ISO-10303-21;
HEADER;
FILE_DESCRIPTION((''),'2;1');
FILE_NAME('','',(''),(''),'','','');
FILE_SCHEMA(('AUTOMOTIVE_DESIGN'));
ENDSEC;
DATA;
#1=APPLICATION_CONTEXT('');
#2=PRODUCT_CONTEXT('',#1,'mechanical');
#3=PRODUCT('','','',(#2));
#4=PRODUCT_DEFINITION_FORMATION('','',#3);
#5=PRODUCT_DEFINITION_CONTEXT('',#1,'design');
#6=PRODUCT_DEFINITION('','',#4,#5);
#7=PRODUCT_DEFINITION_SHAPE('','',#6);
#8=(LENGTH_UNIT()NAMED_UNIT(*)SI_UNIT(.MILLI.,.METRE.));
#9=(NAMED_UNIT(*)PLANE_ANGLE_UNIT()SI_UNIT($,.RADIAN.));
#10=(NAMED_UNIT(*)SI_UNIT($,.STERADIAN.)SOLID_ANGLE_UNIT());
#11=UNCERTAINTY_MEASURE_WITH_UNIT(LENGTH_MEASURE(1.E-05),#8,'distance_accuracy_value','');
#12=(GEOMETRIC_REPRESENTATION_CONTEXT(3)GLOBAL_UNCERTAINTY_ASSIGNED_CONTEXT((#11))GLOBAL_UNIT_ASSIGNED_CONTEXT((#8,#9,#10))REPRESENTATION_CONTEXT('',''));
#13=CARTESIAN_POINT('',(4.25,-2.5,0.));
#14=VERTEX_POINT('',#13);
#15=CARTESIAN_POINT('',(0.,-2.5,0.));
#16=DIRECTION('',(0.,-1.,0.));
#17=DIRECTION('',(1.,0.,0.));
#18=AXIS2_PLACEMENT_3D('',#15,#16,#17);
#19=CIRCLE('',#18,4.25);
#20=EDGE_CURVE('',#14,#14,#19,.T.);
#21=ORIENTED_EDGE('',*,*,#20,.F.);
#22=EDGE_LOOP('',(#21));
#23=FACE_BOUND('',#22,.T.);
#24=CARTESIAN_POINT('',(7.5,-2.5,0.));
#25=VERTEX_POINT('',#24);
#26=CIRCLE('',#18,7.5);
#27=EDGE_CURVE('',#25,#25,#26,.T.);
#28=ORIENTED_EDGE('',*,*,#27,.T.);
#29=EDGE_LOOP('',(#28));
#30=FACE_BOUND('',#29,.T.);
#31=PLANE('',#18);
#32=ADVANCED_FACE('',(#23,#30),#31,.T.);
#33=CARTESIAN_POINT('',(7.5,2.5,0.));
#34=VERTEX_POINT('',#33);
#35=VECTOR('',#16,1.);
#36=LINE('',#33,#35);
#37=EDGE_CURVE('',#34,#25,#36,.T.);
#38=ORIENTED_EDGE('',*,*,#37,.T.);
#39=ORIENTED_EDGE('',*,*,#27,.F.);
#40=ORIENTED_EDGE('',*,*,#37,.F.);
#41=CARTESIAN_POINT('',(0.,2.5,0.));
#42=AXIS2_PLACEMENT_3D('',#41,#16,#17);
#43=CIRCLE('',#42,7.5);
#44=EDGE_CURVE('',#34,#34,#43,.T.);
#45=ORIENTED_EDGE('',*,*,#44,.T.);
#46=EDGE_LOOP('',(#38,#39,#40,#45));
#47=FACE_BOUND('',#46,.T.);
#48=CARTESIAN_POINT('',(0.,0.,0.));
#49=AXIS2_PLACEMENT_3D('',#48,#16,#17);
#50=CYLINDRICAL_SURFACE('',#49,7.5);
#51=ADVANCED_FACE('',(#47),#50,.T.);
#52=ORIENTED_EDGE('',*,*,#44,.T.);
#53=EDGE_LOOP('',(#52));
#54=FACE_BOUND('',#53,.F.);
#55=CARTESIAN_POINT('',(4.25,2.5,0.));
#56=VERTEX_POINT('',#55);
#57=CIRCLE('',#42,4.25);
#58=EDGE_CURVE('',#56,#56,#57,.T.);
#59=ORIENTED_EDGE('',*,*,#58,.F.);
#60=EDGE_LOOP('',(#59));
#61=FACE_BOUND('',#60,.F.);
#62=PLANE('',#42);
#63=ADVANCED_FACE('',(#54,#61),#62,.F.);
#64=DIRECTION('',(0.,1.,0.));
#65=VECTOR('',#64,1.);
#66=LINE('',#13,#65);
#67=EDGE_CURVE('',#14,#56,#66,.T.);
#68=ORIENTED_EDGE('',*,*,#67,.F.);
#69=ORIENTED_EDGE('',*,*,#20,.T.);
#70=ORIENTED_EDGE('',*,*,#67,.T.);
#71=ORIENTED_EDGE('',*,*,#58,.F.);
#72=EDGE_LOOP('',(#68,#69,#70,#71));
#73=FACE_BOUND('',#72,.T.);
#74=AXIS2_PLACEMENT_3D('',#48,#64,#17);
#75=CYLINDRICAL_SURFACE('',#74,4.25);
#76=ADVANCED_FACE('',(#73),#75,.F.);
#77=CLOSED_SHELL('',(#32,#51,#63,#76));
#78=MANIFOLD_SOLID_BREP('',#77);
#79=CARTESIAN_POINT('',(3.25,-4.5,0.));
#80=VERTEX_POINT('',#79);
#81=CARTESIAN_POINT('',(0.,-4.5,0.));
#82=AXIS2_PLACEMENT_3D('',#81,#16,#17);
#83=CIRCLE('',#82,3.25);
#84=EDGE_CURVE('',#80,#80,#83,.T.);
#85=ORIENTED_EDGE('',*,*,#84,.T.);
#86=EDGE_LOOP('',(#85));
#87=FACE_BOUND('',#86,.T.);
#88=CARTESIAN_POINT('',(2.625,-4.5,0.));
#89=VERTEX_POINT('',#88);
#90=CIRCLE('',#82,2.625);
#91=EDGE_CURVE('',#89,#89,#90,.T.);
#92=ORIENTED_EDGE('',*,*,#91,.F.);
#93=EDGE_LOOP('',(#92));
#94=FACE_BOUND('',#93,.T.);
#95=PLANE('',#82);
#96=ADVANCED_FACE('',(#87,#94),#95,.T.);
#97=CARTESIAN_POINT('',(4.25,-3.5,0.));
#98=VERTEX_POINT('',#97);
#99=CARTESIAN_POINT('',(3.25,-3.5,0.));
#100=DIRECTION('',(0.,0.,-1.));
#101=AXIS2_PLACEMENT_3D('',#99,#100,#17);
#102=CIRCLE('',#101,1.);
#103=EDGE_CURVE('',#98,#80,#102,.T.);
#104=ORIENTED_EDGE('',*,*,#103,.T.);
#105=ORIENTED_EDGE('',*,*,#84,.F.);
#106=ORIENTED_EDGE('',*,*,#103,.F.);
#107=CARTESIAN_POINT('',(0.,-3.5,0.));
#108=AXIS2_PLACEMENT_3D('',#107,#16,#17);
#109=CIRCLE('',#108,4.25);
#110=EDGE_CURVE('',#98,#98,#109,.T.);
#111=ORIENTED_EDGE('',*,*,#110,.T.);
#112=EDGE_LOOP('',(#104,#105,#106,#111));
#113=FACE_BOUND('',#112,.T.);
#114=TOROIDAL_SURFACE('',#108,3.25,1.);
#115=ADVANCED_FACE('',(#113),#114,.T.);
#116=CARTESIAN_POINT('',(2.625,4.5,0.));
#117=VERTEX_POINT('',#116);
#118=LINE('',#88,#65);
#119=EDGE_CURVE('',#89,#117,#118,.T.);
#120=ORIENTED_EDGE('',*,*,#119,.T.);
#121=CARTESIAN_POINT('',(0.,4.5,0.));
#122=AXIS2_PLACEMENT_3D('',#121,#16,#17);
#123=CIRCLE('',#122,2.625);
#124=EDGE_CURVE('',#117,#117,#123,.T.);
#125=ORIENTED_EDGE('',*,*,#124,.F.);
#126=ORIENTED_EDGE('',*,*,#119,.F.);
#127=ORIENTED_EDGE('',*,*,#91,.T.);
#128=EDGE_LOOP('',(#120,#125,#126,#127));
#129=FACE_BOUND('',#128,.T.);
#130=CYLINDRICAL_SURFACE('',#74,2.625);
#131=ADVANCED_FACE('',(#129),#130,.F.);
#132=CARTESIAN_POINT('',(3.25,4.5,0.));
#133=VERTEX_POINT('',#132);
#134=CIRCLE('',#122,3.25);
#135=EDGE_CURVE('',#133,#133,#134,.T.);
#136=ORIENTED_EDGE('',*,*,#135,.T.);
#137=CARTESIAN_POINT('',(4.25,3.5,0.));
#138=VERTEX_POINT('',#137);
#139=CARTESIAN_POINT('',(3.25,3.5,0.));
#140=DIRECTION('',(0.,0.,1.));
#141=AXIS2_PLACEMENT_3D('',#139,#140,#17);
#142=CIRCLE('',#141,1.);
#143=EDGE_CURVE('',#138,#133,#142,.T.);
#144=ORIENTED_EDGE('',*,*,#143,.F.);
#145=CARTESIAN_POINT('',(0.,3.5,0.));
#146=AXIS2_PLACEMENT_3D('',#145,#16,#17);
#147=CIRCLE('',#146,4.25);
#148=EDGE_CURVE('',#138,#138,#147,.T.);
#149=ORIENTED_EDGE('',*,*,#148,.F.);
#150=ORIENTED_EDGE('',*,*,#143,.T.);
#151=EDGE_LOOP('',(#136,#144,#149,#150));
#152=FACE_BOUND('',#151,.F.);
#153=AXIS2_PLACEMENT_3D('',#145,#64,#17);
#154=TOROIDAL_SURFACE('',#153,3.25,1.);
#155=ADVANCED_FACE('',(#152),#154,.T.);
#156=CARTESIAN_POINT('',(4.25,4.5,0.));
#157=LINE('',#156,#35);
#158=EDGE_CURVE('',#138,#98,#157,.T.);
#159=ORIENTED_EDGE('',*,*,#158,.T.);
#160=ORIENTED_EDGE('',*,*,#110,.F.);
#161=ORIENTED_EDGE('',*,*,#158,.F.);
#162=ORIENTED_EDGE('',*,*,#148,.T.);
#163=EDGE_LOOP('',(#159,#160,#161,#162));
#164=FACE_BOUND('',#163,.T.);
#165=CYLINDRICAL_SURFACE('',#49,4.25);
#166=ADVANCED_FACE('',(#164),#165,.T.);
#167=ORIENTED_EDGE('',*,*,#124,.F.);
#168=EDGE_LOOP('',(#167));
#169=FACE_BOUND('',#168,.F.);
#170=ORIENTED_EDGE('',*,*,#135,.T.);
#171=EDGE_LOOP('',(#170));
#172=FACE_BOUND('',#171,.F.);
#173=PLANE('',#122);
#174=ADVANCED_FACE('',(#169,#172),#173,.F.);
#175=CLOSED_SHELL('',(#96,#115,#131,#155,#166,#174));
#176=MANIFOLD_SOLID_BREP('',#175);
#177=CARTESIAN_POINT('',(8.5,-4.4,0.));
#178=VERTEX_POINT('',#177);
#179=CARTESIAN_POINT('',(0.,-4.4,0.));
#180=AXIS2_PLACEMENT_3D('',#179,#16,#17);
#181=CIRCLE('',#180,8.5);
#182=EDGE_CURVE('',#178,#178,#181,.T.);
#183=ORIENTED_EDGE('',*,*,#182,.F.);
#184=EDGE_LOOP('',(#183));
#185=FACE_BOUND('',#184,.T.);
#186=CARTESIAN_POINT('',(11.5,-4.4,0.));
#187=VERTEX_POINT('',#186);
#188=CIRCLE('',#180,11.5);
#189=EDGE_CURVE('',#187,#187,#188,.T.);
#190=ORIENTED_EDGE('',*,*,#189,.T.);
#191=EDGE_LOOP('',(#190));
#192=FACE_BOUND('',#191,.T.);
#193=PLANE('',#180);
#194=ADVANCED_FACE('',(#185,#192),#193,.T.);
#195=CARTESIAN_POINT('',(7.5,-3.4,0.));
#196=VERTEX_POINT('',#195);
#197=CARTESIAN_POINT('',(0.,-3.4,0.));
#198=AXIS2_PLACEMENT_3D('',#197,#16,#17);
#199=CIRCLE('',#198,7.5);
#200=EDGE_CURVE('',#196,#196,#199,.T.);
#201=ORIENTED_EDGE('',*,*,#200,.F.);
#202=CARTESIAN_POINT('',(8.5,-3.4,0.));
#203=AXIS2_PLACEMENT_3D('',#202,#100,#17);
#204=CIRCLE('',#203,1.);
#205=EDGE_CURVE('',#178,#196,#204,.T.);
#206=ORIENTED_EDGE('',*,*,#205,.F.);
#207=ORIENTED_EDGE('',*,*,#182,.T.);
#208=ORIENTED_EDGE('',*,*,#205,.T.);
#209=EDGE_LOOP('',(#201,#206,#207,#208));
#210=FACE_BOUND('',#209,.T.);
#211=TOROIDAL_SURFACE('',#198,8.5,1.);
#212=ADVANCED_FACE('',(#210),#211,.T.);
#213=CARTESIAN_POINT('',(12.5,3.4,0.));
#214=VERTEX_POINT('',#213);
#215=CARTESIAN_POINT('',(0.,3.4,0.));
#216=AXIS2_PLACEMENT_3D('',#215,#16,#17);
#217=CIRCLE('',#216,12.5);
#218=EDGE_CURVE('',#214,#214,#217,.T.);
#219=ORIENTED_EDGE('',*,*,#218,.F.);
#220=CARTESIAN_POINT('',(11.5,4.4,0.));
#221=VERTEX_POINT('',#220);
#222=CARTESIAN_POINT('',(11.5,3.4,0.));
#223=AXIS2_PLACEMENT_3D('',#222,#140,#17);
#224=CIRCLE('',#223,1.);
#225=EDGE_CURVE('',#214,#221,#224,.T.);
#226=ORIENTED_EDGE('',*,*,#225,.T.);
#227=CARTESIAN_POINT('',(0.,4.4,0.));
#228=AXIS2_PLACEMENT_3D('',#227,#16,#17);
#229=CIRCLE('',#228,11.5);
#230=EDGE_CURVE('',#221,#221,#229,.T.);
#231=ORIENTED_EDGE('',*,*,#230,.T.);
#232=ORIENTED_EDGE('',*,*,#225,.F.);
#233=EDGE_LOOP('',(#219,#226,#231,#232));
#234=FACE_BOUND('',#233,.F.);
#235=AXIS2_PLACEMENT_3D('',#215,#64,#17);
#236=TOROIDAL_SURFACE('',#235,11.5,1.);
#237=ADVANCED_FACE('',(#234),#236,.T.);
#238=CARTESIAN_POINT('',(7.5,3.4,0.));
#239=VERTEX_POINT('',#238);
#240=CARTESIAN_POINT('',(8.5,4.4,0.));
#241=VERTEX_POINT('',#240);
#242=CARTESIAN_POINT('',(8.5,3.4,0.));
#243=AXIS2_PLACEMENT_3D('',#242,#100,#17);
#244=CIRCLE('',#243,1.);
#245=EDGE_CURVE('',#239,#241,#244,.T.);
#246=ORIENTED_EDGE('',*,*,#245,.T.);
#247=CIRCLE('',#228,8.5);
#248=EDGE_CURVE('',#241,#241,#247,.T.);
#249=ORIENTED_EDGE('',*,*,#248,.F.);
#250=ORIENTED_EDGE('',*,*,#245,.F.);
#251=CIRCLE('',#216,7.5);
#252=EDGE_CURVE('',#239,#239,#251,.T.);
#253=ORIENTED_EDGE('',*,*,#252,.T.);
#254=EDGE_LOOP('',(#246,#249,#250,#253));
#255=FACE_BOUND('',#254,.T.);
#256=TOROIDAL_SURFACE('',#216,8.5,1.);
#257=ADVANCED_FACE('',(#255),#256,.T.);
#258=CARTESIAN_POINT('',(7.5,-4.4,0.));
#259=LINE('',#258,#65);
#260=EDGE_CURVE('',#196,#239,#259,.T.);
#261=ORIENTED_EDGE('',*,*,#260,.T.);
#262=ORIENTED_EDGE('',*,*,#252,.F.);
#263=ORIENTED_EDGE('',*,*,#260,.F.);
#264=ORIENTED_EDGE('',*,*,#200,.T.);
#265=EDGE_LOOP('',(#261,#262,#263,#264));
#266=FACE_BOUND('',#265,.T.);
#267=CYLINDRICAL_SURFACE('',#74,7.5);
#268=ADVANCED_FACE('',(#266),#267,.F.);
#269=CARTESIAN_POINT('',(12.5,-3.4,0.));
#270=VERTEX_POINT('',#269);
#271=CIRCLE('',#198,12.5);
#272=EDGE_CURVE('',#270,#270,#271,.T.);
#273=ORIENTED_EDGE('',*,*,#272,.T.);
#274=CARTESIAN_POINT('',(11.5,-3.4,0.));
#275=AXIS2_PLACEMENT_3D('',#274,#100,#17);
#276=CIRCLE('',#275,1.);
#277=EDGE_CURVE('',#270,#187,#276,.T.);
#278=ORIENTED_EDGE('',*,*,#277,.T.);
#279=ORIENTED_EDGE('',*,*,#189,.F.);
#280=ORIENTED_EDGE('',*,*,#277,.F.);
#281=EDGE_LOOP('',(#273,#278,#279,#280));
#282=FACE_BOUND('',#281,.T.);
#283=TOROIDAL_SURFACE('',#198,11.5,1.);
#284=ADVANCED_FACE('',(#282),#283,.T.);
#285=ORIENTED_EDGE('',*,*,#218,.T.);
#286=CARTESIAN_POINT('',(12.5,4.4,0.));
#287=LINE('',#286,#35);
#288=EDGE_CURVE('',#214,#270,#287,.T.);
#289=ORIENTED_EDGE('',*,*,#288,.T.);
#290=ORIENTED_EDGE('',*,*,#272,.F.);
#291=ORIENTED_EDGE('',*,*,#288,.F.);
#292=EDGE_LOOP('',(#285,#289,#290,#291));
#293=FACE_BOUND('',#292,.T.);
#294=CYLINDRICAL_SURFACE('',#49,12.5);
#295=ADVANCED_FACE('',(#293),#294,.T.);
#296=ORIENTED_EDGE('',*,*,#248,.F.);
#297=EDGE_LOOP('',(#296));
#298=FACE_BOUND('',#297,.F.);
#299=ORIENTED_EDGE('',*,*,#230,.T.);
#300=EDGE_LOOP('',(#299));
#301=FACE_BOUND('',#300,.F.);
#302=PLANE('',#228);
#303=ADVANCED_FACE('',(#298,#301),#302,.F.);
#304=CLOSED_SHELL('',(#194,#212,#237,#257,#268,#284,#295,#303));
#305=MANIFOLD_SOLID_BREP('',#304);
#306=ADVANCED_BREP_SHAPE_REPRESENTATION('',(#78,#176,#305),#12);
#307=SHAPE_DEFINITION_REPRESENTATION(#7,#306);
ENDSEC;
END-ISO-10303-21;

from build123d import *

# Parameters (mm, degrees)
F0_R     = 12.5
F0_R_2   = 7.5
F1_DEPTH = 4.4
F0_R_3   = 4.25
F0_R_4   = 2.625
F2_DEPTH = 4.5
F3_DEPTH = 2.5
F4_R     = 1
F4_2_R   = 1


with BuildPart() as f1:
    # F0 (on Front) → F1 (new body, symmetric)
    with BuildSketch(Plane.XZ):
        Circle(F0_R)
        Circle(F0_R_2, mode=Mode.SUBTRACT)
    extrude(amount=F1_DEPTH, both=True)

    # F4#2
    f4_2_edges = [f1.edges().sort_by_distance(p)[0] for p in [
        (-7.5, -4.4, 0),
        (-12.5, -4.4, 0),
        (-7.5, 4.4, 0),
        (-12.5, 4.4, 0),
    ]]
    fillet(f4_2_edges, radius=F4_2_R)


with BuildPart() as f2:
    # F0 (on Front) → F2 (new body, symmetric)
    with BuildSketch(Plane.XZ):
        Circle(F0_R_3)
        Circle(F0_R_4, mode=Mode.SUBTRACT)
    extrude(amount=F2_DEPTH, both=True)

    # F4
    f4_edges = [f2.edges().sort_by_distance(p)[0] for p in [
        (-4.25, -4.5, 0),
        (-4.25, 4.5, 0),
    ]]
    fillet(f4_edges, radius=F4_R)


with BuildPart() as f3:
    # F0 (on Front) → F3 (new body, symmetric)
    with BuildSketch(Plane.XZ):
        Circle(F0_R_2)
        Circle(F0_R_3, mode=Mode.SUBTRACT)
    extrude(amount=F3_DEPTH, both=True)


solid = Compound([f1.part, f2.part, f3.part])
